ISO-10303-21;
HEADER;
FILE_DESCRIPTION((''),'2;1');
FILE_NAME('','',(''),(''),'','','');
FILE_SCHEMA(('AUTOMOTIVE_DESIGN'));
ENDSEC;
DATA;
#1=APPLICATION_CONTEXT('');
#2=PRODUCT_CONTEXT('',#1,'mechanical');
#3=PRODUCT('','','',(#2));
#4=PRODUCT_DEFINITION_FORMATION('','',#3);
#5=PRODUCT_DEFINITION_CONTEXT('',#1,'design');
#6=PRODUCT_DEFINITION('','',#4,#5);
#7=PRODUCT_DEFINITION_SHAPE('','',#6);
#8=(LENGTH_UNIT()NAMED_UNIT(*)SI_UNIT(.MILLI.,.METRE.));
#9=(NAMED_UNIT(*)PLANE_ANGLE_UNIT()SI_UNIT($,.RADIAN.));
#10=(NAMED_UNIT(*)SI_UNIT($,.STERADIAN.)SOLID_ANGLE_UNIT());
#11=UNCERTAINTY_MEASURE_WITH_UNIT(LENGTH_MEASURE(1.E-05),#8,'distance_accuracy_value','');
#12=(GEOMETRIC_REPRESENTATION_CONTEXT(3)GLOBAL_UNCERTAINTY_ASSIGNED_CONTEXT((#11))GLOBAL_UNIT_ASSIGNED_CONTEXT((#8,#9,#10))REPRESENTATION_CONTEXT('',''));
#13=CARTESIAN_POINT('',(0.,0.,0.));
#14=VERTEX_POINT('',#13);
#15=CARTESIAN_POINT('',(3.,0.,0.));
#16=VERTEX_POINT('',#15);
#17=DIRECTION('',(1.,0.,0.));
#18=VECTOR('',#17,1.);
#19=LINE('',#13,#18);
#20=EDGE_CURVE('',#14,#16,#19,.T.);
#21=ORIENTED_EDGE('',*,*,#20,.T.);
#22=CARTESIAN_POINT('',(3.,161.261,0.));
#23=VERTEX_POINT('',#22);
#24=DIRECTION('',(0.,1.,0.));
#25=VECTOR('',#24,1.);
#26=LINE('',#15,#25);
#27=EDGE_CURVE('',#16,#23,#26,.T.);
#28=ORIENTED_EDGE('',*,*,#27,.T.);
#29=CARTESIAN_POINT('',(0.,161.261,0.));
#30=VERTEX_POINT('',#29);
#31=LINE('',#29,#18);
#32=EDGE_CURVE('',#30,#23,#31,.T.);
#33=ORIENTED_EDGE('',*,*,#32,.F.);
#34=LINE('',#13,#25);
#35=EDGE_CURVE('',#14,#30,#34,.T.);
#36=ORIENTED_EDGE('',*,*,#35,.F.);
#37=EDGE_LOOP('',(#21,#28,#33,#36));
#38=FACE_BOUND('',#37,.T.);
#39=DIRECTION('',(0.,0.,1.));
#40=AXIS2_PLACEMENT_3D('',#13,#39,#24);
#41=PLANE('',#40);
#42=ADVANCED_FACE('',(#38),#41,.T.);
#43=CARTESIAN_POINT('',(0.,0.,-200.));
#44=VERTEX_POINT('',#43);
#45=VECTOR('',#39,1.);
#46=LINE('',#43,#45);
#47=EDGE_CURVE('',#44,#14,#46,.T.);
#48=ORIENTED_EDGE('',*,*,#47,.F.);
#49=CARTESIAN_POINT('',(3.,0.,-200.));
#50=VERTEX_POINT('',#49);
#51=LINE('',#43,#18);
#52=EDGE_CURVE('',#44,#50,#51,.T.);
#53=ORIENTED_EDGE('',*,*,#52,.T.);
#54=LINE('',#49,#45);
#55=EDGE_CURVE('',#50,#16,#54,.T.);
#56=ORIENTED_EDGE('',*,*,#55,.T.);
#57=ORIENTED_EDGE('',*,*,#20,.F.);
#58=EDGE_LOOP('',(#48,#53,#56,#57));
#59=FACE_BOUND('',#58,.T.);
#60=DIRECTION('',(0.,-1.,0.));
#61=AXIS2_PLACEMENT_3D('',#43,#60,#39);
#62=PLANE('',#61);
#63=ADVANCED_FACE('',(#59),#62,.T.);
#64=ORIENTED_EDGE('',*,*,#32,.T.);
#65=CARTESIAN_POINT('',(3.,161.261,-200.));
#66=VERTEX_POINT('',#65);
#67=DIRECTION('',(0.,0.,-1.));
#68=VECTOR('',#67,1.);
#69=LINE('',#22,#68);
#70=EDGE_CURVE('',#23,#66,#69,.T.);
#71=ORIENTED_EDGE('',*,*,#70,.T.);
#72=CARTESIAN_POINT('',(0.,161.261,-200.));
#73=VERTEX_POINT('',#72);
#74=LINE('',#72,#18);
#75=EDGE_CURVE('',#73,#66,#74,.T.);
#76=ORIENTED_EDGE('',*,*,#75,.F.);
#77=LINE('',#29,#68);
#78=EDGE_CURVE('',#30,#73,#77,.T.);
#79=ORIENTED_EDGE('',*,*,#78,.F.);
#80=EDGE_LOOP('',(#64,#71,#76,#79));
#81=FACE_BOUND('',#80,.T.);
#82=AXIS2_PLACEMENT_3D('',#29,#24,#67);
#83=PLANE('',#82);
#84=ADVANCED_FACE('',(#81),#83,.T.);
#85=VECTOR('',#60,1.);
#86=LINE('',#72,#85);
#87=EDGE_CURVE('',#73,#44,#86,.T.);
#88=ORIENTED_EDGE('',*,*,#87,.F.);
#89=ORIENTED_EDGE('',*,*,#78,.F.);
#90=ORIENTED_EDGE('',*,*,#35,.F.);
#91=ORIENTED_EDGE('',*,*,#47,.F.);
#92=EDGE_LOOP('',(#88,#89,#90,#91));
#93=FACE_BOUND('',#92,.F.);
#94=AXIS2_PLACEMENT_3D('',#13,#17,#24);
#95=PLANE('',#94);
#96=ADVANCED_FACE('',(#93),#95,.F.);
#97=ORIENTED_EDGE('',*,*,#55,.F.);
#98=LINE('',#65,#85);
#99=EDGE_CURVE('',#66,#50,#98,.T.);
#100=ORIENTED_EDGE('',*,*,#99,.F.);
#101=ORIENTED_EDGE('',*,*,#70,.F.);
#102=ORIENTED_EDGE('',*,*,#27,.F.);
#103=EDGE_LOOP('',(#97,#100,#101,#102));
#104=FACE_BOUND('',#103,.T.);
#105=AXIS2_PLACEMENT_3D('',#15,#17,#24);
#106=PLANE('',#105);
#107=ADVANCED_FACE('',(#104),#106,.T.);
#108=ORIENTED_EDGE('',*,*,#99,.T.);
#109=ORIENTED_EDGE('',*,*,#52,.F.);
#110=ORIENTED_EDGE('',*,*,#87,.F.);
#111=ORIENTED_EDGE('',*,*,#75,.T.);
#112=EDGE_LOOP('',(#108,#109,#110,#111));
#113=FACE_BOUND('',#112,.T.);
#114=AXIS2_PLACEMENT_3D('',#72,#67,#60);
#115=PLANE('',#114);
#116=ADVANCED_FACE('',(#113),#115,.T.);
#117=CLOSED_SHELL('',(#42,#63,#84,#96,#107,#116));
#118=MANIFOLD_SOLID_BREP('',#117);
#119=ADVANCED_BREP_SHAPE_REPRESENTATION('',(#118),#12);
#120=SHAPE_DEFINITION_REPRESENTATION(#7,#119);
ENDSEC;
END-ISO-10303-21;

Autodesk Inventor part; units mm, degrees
ref_plane "YZ Plane" through (0, 0, 0) normal (1, 0, 0) x (0, 1, 0)
ref_plane "XZ Plane" through (0, 0, 0) normal (0, 1, 0) x (-1, 0, 0)
ref_plane "XY Plane" through (0, 0, 0) normal (0, 0, 1) x (1, 0, 0)
sketch "Sketch1" plane through (0, 0, 0) normal (1, 0, 0) x (0, 1, 0)
  line L0 (0, 0) -> (161.261, 0)
  line L1 (161.261, 0) -> (161.261, -200)
  line L2 (161.261, -200) -> (0, -200)
  line L3 (0, -200) -> (0, 0)
  dimension "d0" = 200
  dimension "d1" = 161.261
extrude "Extrusion1" add sketch "Sketch1" along normal blind 3
properties part number "Front cover"
